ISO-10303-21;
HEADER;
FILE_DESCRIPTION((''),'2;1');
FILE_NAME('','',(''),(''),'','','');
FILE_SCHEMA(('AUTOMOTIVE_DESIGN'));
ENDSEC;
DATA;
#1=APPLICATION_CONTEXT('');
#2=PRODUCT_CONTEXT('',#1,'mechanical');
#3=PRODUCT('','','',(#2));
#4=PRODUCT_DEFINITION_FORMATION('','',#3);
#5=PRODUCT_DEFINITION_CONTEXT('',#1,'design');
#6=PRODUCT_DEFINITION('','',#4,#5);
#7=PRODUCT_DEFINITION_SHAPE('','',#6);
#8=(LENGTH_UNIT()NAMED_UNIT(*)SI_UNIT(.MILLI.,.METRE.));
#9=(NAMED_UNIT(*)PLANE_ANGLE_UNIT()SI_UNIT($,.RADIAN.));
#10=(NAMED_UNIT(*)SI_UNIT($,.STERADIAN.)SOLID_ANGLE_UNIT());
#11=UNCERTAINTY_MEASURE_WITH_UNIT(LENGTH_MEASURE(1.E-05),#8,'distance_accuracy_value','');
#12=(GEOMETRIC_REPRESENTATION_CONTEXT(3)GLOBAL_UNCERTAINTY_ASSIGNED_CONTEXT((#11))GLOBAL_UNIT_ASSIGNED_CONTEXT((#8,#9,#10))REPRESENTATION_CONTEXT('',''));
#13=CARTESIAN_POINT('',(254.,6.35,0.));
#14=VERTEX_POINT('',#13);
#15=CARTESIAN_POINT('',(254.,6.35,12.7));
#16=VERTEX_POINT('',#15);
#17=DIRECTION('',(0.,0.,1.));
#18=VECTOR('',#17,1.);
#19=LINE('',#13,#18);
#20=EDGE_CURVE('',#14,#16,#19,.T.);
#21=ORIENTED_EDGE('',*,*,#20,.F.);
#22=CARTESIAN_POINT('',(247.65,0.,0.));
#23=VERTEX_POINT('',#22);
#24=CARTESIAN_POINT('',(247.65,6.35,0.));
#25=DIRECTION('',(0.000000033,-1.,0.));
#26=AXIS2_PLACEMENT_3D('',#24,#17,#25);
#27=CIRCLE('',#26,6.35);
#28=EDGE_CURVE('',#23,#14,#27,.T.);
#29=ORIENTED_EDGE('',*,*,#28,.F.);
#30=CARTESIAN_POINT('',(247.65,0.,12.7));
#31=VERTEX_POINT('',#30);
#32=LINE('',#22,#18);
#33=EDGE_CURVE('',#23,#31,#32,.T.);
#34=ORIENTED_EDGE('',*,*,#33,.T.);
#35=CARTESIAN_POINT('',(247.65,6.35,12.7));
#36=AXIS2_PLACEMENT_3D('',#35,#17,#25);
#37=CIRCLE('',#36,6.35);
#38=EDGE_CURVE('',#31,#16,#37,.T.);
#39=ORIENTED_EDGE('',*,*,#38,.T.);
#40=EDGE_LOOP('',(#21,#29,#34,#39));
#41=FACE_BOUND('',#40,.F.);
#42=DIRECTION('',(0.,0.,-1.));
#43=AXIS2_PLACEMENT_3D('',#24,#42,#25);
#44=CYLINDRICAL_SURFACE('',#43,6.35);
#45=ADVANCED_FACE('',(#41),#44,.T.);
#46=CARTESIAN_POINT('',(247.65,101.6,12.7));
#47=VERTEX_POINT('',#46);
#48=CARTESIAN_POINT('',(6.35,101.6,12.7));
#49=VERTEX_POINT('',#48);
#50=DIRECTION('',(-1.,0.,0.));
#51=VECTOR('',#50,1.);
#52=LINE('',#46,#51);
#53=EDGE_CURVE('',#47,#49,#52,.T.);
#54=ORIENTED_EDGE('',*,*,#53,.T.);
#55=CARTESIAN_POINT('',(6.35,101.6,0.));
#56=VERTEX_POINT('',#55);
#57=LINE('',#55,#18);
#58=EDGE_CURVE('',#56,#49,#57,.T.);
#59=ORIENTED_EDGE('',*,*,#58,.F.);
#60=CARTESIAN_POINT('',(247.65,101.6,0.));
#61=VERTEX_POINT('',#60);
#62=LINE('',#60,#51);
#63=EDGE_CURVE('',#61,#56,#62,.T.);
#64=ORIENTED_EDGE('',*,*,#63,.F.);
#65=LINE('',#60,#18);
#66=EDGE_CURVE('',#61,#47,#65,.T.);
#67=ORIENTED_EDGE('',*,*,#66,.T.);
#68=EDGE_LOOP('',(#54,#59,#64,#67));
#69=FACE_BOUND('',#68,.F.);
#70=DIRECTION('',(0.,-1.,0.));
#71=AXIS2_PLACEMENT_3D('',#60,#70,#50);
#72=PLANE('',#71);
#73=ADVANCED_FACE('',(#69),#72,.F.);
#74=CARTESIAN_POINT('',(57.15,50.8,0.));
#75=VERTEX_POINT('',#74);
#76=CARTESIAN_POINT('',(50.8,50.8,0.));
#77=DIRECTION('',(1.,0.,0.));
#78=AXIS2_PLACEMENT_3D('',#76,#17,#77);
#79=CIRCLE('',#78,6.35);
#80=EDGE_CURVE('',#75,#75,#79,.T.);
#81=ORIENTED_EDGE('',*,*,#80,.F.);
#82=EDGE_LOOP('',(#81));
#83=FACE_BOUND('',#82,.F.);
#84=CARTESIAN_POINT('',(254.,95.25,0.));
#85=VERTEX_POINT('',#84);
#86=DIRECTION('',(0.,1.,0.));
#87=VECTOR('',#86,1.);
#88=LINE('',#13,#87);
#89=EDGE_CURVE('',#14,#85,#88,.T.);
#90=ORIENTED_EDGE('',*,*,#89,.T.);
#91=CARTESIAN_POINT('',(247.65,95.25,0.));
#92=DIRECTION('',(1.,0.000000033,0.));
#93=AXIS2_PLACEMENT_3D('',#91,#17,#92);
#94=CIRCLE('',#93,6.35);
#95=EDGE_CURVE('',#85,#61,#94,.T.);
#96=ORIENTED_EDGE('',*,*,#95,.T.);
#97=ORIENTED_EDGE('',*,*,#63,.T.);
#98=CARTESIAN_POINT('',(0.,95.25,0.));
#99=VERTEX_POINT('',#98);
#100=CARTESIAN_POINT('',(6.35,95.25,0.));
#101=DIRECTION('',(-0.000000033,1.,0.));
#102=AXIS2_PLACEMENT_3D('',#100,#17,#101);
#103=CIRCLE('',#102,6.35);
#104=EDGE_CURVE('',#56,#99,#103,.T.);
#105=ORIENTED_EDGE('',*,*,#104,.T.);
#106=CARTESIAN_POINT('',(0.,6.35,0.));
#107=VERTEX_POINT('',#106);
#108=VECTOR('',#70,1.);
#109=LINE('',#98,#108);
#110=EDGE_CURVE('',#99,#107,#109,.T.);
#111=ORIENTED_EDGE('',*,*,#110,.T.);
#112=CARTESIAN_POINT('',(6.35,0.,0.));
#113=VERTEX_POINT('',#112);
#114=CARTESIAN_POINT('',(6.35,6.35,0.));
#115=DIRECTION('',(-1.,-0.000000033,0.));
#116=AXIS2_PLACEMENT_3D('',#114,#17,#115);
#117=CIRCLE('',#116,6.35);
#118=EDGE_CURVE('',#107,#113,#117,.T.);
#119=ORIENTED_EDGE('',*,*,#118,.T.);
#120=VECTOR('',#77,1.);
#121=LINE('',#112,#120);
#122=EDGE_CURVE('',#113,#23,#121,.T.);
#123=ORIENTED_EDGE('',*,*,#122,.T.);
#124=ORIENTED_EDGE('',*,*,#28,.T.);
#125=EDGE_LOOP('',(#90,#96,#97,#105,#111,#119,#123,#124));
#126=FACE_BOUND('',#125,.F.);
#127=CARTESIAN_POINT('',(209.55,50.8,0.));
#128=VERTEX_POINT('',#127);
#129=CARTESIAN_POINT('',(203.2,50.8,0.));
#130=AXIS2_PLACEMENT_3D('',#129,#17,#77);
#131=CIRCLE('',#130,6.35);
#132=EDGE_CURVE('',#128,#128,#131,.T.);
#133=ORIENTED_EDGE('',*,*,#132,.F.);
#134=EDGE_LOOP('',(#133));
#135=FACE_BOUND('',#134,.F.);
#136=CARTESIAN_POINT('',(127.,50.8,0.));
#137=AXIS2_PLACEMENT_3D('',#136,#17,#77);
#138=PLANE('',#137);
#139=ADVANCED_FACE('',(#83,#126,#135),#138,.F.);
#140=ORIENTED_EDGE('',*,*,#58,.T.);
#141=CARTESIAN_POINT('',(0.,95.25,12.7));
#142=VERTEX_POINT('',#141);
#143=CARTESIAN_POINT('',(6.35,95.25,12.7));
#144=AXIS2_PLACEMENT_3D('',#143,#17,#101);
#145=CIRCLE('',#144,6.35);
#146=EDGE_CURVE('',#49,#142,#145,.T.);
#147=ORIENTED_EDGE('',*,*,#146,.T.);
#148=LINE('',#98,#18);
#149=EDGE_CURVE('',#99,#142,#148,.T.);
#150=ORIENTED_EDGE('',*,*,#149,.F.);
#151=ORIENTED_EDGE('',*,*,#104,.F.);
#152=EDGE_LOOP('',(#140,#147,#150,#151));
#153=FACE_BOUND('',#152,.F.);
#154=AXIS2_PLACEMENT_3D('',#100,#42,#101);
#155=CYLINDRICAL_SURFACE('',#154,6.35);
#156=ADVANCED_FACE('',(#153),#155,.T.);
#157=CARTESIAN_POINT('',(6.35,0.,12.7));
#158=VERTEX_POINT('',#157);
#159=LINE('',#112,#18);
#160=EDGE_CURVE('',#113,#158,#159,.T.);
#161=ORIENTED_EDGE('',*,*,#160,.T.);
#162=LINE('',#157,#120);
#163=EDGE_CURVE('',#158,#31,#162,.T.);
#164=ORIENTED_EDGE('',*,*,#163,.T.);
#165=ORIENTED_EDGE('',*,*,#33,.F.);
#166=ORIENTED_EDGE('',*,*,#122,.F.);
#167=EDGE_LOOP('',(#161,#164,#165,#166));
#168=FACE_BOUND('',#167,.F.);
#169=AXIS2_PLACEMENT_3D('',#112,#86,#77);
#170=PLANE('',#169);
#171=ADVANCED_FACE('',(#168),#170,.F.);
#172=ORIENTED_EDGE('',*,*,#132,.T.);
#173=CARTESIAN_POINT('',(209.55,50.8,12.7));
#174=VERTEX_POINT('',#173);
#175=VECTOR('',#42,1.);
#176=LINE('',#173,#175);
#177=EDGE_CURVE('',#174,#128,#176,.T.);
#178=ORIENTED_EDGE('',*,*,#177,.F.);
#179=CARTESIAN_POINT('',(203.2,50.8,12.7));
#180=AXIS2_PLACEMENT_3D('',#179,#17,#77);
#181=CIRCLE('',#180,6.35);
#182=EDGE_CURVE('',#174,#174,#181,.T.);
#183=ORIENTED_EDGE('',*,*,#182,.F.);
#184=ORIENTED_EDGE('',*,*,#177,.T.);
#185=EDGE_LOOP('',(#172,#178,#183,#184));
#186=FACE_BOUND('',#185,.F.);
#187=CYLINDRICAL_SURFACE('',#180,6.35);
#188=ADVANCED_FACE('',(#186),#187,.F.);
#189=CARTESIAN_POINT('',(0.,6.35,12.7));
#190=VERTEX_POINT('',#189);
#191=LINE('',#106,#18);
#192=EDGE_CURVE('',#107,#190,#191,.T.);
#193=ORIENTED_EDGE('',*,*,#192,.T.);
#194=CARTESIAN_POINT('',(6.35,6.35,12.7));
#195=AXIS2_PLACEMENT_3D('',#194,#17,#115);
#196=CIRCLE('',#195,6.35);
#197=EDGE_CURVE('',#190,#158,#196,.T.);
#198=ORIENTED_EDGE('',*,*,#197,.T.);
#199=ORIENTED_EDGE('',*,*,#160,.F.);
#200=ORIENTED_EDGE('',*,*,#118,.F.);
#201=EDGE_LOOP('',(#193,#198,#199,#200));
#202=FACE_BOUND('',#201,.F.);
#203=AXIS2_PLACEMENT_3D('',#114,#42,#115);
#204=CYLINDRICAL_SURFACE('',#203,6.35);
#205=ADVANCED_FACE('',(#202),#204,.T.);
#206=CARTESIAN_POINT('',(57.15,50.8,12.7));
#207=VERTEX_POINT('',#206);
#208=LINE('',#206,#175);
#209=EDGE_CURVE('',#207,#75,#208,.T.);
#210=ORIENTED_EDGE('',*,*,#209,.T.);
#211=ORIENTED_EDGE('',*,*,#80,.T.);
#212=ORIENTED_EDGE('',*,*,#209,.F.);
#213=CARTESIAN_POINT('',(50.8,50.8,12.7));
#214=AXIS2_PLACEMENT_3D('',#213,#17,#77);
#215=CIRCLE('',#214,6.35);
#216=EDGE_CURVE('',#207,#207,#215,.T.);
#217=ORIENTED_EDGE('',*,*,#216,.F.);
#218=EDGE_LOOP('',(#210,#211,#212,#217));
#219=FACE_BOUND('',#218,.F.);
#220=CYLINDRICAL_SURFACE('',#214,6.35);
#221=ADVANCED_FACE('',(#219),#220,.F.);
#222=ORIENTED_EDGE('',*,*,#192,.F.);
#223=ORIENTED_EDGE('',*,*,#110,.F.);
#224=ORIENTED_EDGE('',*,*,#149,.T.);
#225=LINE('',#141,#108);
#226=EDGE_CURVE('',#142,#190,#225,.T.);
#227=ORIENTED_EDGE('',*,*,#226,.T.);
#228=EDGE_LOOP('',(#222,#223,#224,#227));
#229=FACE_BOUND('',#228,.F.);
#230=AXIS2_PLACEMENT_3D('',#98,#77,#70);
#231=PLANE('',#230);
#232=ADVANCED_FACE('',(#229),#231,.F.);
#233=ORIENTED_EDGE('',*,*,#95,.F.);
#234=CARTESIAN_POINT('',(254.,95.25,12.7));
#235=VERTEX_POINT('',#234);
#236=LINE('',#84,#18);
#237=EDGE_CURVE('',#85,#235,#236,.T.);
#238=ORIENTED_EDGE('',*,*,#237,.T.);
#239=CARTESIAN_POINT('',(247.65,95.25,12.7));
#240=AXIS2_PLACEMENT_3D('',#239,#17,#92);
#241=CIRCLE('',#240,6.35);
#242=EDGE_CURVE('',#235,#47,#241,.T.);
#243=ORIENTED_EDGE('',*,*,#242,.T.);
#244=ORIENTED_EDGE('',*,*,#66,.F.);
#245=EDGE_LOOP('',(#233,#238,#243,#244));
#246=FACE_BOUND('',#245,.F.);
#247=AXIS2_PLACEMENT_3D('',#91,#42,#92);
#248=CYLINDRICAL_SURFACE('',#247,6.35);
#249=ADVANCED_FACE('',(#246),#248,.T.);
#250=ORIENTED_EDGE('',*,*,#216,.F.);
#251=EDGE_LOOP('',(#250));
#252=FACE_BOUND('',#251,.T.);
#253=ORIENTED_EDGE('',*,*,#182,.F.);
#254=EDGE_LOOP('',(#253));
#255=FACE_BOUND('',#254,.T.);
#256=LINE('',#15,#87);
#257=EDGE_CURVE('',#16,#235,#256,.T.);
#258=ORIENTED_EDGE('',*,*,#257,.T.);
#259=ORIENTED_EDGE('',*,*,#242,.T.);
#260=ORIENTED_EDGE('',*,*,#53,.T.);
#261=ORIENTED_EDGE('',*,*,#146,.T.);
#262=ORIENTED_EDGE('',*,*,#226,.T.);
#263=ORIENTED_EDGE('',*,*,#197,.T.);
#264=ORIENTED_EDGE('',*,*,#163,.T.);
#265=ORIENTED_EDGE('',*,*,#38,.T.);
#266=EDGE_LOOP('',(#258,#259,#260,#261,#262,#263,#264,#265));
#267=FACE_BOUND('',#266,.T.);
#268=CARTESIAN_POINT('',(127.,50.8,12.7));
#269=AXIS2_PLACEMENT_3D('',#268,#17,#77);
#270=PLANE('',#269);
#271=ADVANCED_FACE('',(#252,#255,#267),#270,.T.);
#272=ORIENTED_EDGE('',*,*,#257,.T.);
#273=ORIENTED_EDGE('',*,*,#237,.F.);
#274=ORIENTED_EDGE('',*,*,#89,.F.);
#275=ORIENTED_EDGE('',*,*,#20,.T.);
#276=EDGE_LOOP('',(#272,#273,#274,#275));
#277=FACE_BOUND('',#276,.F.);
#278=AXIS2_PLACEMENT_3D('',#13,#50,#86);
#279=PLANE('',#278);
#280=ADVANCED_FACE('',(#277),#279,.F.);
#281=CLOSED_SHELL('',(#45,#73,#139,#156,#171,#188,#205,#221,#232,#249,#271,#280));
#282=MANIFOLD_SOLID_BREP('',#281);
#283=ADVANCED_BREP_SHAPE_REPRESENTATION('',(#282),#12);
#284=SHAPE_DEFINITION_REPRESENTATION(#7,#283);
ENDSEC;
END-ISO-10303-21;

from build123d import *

# Parameters (mm, degrees)
F1_DEPTH = 12.7
F2_R     = 6.35
F3_DEPTH = 12.701


with BuildPart() as f1:
    # F0 (on Top) → F1 (new body)
    with BuildSketch(Plane.XY):
        with BuildLine():
            ThreePointArc((0, 6.35), (1.859872, 1.859872), (6.35, 0))
            Line((6.35, 0), (247.65, 0))
            ThreePointArc((247.65, 0), (252.140128, 1.859872), (254, 6.35))
            Line((254, 6.35), (254, 95.25))
            ThreePointArc((254, 95.25), (252.140128, 99.740128), (247.65, 101.6))
            Line((247.65, 101.6), (6.35, 101.6))
            ThreePointArc((6.35, 101.6), (1.859872, 99.740128), (0, 95.25))
            Line((0, 95.25), (0, 6.35))
        make_face()
    extrude(amount=F1_DEPTH)

    # F2 (on face) → F3 (cut, through all)
    with BuildSketch(Plane.XY.offset(12.7)):
        with Locations((50.8, 50.8)):
            Circle(F2_R)
        with Locations((203.2, 50.8)):
            Circle(F2_R)
    extrude(amount=-F3_DEPTH, mode=Mode.SUBTRACT)


solid = f1.part
